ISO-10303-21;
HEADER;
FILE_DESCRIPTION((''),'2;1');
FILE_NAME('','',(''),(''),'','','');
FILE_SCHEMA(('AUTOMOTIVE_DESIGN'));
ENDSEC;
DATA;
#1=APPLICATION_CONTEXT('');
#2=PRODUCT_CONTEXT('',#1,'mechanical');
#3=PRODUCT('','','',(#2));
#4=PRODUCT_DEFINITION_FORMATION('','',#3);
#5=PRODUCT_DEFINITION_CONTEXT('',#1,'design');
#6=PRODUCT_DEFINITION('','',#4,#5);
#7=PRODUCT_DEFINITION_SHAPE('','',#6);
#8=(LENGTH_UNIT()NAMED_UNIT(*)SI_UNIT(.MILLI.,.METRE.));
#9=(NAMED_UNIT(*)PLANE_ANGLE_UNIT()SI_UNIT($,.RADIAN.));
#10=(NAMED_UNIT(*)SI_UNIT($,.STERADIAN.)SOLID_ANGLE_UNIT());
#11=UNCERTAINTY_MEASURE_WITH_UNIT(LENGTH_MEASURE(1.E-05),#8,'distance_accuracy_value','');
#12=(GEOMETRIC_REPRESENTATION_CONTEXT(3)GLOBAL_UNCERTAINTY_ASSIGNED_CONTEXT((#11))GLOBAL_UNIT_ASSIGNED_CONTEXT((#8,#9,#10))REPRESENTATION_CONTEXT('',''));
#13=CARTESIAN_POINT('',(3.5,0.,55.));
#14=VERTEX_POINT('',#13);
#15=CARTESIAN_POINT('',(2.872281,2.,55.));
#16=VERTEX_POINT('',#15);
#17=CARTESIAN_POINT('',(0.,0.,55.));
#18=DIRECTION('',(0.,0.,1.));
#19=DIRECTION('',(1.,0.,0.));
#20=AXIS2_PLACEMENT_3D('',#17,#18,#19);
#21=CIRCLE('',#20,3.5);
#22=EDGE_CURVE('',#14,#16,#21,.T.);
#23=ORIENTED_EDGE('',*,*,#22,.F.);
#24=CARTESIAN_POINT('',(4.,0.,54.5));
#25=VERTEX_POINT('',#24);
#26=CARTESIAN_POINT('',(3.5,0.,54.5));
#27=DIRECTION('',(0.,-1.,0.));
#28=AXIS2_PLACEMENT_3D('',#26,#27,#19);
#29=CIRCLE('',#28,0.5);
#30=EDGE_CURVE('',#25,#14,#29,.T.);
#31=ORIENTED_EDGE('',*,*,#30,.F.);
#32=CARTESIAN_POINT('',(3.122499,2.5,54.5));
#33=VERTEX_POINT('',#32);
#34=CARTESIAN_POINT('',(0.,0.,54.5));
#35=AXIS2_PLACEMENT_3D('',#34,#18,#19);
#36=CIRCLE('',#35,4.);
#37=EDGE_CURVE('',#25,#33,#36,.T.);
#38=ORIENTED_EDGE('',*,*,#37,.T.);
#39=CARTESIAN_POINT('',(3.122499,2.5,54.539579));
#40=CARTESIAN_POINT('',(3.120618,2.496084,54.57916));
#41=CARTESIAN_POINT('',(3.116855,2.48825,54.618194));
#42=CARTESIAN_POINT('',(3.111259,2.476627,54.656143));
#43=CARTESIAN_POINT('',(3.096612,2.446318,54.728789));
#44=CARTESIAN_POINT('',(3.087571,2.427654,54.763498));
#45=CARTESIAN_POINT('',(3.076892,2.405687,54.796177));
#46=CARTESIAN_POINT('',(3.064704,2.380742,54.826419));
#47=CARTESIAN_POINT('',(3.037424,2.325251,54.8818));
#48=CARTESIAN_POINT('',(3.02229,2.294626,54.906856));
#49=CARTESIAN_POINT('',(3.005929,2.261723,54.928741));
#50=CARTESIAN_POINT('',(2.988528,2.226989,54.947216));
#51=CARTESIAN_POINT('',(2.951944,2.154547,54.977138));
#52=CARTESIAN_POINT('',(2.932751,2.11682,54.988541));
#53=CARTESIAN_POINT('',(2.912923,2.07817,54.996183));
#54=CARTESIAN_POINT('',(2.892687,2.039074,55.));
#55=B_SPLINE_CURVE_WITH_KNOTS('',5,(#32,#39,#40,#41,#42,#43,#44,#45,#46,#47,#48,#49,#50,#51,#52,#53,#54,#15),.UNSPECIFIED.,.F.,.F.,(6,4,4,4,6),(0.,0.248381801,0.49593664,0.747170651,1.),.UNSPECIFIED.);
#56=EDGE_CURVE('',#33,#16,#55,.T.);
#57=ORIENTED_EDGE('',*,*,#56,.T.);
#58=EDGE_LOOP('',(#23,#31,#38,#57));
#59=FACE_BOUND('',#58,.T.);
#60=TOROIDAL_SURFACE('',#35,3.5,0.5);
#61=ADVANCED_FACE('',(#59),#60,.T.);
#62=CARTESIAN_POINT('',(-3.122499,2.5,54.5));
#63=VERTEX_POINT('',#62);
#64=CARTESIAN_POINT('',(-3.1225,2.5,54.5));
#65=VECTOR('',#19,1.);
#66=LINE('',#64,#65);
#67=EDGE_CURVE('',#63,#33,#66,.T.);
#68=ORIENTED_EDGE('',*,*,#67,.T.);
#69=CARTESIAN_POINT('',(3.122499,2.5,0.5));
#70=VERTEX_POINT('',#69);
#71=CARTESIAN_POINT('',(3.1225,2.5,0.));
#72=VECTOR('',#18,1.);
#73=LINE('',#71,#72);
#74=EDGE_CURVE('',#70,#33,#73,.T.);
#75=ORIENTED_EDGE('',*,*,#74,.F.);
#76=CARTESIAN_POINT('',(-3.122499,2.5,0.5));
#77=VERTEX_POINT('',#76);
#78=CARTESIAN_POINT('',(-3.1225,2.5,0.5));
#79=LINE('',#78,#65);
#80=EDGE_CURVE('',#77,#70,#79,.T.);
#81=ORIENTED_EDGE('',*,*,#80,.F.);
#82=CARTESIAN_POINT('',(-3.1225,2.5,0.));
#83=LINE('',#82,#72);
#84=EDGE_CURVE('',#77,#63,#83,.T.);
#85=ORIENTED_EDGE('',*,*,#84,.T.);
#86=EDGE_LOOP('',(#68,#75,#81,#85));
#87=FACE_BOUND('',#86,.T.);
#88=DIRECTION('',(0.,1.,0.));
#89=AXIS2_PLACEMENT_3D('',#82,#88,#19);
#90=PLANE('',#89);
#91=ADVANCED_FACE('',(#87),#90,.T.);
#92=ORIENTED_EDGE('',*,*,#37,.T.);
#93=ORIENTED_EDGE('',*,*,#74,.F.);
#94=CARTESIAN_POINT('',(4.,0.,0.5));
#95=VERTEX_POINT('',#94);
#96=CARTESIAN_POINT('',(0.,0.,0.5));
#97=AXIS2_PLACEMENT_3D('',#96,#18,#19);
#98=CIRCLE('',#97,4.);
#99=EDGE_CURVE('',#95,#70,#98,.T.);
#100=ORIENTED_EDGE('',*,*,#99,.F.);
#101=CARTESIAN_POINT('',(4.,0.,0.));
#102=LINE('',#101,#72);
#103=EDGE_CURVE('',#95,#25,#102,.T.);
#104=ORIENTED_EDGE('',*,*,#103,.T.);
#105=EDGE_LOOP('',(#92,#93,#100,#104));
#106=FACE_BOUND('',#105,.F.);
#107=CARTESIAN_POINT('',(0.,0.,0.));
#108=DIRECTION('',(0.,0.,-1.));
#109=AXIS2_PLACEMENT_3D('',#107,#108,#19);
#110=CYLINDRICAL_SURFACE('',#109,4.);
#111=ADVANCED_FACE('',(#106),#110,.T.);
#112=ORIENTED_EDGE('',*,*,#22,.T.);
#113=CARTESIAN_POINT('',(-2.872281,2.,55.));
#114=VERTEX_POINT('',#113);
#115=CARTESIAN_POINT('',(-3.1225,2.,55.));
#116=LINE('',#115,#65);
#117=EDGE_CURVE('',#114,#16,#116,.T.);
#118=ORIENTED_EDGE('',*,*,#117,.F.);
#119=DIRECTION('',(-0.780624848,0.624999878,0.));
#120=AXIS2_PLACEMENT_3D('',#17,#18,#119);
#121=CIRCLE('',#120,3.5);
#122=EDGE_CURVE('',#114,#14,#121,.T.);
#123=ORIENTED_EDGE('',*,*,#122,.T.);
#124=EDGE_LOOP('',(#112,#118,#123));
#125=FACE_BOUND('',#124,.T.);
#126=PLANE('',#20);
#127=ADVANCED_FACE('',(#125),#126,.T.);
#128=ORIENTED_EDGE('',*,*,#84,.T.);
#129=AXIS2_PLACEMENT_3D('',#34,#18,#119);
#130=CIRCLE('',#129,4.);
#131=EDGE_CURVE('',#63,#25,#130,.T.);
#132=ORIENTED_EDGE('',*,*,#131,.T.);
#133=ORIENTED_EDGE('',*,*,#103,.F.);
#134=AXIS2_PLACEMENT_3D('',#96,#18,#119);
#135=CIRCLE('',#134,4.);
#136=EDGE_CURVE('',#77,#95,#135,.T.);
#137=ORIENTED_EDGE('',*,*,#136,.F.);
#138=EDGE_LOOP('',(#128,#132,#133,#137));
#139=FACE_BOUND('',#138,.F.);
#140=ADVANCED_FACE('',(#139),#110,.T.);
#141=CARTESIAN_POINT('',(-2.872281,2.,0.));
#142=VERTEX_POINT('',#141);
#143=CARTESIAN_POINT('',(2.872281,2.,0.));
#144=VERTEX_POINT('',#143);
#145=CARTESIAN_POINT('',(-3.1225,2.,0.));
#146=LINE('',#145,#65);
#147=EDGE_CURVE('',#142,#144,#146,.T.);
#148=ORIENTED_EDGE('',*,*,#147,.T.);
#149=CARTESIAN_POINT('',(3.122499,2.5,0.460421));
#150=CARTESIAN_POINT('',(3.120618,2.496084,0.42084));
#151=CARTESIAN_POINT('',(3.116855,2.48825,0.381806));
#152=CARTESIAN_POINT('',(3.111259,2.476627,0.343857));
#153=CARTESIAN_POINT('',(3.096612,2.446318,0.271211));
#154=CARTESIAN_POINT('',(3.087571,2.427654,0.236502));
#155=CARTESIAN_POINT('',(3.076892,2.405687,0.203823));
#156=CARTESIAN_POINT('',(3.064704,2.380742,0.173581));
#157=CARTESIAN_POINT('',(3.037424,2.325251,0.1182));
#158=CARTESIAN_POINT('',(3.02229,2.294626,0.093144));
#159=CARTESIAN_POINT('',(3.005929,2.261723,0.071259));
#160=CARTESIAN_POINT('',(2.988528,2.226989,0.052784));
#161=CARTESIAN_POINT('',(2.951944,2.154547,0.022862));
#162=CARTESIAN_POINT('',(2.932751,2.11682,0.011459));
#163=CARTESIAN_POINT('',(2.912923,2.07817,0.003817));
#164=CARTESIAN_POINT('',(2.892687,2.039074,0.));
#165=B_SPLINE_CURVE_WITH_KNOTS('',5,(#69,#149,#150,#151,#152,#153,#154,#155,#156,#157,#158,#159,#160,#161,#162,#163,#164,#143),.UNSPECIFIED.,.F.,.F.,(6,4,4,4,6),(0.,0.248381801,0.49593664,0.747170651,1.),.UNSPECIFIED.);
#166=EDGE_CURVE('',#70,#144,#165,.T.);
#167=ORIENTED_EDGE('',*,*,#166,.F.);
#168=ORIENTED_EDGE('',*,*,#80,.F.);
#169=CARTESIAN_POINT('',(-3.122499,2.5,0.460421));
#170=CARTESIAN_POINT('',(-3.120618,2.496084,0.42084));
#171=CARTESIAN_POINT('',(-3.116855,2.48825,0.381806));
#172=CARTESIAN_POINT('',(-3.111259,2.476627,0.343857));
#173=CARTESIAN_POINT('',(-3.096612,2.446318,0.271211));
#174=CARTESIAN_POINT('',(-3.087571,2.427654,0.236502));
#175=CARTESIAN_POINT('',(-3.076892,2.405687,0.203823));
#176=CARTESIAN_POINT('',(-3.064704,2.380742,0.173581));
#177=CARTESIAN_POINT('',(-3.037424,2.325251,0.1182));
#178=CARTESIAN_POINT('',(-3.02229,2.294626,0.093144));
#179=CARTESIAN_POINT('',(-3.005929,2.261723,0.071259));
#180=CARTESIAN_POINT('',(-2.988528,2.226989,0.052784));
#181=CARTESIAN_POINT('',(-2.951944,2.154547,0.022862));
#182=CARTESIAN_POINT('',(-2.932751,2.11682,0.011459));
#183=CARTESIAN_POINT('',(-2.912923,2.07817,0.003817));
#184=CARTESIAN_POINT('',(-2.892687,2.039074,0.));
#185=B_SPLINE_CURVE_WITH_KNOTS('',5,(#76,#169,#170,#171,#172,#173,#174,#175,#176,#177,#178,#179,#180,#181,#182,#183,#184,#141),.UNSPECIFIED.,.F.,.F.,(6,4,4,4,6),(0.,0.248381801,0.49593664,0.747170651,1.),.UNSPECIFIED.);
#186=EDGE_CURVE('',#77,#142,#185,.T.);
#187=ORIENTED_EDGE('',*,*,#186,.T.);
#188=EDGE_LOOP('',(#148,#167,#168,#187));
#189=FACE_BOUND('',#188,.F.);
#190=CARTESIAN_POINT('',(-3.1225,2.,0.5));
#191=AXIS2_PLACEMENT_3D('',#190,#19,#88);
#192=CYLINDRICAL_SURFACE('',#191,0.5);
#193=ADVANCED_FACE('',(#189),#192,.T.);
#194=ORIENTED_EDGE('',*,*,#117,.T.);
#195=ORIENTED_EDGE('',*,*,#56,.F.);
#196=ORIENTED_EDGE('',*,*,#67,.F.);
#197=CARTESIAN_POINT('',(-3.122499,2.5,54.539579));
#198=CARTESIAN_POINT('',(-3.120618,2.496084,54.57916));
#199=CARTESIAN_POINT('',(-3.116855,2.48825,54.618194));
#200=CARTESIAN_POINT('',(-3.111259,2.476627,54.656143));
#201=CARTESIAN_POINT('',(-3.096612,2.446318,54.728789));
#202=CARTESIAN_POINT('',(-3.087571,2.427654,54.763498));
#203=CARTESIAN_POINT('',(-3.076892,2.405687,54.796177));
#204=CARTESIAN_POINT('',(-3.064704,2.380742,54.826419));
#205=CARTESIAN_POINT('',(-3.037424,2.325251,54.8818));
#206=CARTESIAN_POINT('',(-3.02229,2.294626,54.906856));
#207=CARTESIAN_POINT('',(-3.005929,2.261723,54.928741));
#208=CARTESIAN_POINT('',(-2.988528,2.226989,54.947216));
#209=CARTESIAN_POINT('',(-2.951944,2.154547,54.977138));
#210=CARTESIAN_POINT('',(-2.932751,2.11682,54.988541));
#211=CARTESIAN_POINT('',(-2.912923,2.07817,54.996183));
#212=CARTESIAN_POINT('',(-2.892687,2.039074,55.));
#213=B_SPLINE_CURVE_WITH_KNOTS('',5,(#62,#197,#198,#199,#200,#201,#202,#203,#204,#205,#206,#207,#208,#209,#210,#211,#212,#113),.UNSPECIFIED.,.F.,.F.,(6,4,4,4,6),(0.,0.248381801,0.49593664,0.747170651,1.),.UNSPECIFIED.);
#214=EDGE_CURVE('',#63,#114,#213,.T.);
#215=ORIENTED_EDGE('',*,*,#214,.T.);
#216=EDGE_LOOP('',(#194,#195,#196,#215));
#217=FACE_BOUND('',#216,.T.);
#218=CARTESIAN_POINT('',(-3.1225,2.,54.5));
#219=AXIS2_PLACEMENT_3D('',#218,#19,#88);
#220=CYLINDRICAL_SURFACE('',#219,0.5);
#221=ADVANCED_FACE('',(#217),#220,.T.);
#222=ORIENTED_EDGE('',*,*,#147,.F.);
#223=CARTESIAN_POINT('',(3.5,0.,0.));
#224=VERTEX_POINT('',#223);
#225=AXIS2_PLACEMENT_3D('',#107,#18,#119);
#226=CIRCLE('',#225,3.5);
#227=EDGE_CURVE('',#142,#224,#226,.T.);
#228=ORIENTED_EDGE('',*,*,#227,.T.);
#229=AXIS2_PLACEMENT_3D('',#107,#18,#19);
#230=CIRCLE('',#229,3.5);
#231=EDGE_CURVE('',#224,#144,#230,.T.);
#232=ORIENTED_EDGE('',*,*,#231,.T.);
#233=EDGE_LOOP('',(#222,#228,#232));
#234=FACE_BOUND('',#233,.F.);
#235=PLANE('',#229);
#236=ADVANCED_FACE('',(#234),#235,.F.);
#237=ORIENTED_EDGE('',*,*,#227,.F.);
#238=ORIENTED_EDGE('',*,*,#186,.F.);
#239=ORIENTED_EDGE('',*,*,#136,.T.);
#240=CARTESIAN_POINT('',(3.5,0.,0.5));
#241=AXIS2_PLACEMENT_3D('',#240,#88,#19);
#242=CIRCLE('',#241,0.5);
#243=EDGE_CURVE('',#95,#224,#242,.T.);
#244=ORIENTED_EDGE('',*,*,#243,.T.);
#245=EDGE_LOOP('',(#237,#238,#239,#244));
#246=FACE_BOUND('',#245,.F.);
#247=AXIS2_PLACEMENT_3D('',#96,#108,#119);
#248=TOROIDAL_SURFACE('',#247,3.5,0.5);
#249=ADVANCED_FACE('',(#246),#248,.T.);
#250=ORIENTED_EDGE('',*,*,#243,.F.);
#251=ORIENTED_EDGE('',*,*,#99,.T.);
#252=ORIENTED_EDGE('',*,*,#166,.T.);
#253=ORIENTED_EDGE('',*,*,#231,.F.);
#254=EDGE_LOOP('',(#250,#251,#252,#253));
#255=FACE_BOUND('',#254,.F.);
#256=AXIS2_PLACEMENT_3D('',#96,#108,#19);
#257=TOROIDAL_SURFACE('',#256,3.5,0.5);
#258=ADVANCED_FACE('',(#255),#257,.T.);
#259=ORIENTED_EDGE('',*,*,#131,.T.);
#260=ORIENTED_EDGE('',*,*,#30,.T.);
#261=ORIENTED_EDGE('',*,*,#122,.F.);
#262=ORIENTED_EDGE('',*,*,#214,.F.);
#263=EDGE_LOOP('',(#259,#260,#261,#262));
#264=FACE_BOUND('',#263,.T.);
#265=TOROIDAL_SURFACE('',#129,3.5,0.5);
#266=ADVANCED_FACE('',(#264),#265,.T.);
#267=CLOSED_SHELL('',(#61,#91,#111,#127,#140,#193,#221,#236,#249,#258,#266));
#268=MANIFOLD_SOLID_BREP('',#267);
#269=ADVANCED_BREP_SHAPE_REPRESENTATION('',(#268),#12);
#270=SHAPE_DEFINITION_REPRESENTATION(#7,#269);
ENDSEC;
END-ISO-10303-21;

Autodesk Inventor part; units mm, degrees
ref_plane "YZ Plane" through (0, 0, 0) normal (1, 0, 0) x (0, 1, 0)
ref_plane "XZ Plane" through (0, 0, 0) normal (0, 1, 0) x (-1, 0, 0)
ref_plane "XY Plane" through (0, 0, 0) normal (0, 0, 1) x (1, 0, 0)
sketch "Sketch1" plane through (0, 0, 0) normal (0, 0, 1) x (1, 0, 0)
  circle A0 centre (0, 0) radius 4
  line L0 (-3.1225, 2.5) -> (3.1225, 2.5)
  dimension "d0" = 8
  dimension "d1" = 2.5
extrude "Extrusion1" add sketch "Sketch1" along normal blind 55 contours A0 L0 picked at (-0.7341, 0.0257)
fillet "Fillet1" radius 0.5 4 edges at (0, -4, 55) (0, 2.5, 55) (0, -4, 0) (0, 2.5, 0)
properties part number "8mm D-Shaft axle (3d print)"
